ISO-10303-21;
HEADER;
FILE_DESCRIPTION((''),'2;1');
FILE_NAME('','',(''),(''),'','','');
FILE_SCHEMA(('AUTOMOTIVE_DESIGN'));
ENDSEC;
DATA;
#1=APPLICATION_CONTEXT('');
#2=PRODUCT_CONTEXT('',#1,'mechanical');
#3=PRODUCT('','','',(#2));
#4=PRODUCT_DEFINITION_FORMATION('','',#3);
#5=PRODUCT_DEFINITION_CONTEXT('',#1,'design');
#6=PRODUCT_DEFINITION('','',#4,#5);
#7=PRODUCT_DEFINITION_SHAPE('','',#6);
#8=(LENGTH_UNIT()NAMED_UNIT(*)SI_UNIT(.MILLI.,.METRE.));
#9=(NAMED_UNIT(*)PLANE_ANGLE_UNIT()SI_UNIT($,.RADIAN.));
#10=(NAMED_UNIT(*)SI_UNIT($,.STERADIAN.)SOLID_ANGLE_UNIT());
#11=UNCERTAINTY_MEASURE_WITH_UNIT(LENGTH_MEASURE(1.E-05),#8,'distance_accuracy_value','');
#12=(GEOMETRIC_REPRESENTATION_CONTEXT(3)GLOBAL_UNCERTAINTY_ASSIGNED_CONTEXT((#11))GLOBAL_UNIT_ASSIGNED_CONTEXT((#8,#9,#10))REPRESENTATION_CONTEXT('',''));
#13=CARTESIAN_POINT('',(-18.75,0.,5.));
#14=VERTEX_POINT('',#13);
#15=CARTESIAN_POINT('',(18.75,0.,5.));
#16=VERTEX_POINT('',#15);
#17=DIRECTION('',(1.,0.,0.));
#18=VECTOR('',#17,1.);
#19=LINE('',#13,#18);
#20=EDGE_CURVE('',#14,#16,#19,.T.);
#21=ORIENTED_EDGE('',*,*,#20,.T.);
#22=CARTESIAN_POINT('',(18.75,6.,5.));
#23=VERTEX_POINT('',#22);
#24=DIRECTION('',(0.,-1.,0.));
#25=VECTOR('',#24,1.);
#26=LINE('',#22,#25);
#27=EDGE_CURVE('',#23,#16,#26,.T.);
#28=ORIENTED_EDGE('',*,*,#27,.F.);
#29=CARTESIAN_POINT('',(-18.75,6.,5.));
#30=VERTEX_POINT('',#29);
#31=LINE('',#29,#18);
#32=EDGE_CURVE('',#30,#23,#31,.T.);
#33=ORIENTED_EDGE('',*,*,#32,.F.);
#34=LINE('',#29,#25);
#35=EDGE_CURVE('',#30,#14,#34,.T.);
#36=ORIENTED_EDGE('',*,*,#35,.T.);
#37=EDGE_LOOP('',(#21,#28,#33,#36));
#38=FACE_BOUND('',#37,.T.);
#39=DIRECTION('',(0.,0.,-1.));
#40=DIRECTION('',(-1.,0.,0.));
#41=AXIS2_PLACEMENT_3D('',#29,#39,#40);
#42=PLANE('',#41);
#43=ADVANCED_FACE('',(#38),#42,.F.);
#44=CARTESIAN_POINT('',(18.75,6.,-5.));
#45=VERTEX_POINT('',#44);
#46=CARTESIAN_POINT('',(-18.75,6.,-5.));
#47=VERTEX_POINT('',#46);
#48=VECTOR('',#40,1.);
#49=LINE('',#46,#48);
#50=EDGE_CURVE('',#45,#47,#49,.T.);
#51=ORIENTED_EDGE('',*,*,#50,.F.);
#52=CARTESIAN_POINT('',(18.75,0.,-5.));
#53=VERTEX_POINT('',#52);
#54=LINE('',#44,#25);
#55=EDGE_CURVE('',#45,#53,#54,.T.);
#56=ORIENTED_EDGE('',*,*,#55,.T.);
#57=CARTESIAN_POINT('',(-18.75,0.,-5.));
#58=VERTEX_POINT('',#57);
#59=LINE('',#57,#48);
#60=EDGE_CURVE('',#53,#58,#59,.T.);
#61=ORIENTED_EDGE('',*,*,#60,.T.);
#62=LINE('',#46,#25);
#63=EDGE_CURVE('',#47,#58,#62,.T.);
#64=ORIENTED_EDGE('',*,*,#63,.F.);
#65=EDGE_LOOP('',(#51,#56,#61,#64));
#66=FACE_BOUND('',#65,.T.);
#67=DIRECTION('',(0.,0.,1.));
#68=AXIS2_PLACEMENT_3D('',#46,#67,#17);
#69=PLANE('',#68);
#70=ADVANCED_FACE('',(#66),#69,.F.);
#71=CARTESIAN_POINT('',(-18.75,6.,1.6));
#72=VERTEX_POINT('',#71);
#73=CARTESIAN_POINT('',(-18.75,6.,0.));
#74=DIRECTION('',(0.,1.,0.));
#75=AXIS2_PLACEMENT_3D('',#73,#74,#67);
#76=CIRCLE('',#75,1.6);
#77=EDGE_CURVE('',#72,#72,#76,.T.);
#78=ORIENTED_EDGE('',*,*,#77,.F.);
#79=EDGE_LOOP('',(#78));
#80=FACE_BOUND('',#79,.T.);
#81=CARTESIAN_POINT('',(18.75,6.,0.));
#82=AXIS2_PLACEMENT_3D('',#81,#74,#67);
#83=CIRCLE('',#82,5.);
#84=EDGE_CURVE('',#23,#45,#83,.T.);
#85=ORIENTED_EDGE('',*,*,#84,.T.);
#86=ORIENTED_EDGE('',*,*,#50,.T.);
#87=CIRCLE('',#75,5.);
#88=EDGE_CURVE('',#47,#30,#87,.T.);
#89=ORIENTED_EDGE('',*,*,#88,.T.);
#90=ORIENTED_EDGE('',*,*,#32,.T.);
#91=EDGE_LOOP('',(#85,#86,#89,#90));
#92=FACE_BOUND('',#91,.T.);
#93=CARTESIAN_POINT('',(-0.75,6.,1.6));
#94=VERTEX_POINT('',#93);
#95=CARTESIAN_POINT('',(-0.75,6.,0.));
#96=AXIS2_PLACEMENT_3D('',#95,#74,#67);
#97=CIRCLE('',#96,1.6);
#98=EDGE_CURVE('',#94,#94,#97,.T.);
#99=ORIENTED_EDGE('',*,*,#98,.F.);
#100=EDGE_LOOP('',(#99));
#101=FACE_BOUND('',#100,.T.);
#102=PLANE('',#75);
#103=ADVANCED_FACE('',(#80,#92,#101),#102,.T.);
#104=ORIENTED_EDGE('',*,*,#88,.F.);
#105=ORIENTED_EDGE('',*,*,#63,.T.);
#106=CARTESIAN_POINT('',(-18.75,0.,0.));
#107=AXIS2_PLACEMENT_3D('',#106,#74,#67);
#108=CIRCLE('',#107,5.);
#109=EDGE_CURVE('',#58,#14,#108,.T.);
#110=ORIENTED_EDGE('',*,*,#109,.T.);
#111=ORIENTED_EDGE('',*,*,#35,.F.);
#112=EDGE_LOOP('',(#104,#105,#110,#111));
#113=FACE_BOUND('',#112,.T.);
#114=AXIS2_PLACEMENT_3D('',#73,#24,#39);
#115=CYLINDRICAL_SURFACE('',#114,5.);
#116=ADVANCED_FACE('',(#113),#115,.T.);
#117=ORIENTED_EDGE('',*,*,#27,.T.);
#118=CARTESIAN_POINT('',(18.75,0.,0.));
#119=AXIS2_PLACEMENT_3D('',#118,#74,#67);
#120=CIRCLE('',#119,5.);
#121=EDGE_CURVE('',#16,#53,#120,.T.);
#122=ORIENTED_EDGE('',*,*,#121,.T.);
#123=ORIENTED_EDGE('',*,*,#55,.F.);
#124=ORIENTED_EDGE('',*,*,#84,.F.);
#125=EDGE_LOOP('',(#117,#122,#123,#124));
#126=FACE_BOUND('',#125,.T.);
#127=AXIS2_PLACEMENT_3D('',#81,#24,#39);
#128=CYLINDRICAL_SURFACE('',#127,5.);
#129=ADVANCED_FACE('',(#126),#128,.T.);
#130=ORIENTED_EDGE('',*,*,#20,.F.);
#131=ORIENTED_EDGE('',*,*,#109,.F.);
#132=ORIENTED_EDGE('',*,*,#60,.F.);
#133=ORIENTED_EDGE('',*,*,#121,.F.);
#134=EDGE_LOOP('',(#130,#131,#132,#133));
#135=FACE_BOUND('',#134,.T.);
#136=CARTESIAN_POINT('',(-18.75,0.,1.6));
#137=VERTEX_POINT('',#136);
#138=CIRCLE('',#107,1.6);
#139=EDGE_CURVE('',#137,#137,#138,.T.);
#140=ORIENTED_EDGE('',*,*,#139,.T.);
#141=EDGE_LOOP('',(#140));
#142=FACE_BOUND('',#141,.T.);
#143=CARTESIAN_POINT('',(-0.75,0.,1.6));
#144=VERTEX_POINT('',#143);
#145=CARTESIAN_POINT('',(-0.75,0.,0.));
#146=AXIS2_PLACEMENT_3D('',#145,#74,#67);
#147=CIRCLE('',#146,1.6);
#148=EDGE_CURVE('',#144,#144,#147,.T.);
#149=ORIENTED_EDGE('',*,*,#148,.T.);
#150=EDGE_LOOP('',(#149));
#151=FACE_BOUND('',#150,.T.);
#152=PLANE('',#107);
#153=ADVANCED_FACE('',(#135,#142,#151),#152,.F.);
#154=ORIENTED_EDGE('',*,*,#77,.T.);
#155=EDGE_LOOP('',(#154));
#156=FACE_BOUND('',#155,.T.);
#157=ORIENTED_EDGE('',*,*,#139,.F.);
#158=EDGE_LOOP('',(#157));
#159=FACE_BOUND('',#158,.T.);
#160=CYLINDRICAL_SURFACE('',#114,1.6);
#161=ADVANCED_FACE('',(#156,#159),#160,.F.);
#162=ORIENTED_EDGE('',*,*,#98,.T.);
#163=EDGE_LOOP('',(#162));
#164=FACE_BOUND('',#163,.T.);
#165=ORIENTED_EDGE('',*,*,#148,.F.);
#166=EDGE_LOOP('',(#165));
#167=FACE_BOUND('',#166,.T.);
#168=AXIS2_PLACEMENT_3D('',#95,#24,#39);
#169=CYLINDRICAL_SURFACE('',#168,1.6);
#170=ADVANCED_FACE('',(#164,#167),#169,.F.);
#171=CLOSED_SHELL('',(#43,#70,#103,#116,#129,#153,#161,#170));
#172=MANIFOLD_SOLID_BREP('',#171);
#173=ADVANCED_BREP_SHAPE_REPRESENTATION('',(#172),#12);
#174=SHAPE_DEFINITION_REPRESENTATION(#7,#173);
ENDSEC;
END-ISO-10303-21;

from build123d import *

# Parameters (mm, degrees)
SKETCH1_R           = 1.6
BOSS_EXTRUDE1_DEPTH = 6


with BuildPart() as part:
    # Sketch1 → Boss-Extrude1 (new body)
    with BuildSketch(Plane(origin=(0, 0, 0), x_dir=(1, 0, 0), z_dir=(0, 1, 0))):
        with BuildLine():
            Line((-18.75, 5), (18.75, 5))
            ThreePointArc((18.75, 5), (23.75, 0), (18.75, -5))
            Line((18.75, -5), (-18.75, -5))
            ThreePointArc((-18.75, -5), (-23.75, 0), (-18.75, 5))
        make_face()
        with Locations(Location((-18.75, 0, 0), (0, 0, 270))):
            Circle(SKETCH1_R, mode=Mode.SUBTRACT)
        with Locations(Location((-0.75, 0, 0), (0, 0, 270))):
            Circle(SKETCH1_R, mode=Mode.SUBTRACT)
    extrude(amount=BOSS_EXTRUDE1_DEPTH)


solid = part.part
